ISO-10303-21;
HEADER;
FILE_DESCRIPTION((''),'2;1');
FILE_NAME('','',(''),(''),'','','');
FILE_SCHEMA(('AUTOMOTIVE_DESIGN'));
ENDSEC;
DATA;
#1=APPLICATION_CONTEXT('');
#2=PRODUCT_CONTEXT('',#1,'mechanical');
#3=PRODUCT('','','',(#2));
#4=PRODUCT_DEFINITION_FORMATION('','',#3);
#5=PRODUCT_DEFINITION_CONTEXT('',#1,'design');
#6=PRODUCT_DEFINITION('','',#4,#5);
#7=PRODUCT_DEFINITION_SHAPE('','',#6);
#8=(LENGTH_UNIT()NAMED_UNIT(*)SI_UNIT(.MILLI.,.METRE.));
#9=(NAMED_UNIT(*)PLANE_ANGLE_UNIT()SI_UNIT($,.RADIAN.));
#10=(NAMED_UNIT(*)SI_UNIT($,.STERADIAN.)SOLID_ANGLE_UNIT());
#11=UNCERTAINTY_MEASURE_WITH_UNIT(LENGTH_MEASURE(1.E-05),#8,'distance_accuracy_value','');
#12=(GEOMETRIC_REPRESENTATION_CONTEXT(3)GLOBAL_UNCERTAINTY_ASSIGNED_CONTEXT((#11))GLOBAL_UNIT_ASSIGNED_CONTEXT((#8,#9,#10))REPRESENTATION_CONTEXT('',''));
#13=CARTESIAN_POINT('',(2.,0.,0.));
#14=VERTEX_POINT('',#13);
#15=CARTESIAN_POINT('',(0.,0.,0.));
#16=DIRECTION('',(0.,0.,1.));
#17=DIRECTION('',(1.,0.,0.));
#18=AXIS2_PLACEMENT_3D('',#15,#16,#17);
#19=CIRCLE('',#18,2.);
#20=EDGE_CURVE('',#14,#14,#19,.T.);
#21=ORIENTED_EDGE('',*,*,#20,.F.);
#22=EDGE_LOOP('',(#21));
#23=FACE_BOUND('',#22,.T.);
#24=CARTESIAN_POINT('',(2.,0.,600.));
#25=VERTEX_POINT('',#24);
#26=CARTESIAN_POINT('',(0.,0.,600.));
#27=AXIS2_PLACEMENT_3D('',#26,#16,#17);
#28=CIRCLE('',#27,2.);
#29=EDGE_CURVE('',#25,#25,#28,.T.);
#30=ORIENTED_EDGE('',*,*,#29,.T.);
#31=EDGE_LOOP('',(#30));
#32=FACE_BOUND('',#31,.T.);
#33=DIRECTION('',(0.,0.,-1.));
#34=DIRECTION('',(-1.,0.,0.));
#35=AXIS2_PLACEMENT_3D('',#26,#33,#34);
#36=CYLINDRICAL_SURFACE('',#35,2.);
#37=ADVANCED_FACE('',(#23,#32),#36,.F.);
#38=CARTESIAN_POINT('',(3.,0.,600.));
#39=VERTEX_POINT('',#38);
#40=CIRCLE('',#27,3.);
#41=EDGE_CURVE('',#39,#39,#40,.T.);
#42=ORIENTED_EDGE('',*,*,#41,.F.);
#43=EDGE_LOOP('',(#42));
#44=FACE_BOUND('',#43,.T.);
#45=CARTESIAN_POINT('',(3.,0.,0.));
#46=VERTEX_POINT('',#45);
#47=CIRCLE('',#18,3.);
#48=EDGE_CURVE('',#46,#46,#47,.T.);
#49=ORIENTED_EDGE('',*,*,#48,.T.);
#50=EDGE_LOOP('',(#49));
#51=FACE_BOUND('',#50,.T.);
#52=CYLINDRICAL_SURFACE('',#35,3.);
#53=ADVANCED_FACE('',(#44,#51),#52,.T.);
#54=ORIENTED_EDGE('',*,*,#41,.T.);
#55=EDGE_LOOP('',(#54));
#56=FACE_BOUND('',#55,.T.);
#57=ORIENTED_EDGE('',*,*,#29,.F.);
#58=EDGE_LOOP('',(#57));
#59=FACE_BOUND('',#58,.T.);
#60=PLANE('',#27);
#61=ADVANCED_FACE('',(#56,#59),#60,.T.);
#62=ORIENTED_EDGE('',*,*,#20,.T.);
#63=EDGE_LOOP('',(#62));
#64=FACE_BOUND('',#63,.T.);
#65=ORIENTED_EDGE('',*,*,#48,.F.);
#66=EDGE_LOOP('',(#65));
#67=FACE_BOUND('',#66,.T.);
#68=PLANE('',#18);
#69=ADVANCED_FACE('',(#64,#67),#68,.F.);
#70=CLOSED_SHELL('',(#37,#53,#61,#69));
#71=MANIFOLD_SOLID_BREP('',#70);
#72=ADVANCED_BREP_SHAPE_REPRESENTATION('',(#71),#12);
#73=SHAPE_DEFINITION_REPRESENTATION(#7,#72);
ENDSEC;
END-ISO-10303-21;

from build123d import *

# Parameters (mm, degrees)
SCHIZZO1_R                   = 3
SCHIZZO1_R_2                 = 2
ESTRUSIONE_ESTRUSIONE1_DEPTH = 600


with BuildPart() as part:
    # Schizzo1 → Estrusione-Estrusione1 (new body)
    with BuildSketch(Plane.XY):
        Circle(SCHIZZO1_R)
        Circle(SCHIZZO1_R_2, mode=Mode.SUBTRACT)
    extrude(amount=ESTRUSIONE_ESTRUSIONE1_DEPTH)


solid = part.part
